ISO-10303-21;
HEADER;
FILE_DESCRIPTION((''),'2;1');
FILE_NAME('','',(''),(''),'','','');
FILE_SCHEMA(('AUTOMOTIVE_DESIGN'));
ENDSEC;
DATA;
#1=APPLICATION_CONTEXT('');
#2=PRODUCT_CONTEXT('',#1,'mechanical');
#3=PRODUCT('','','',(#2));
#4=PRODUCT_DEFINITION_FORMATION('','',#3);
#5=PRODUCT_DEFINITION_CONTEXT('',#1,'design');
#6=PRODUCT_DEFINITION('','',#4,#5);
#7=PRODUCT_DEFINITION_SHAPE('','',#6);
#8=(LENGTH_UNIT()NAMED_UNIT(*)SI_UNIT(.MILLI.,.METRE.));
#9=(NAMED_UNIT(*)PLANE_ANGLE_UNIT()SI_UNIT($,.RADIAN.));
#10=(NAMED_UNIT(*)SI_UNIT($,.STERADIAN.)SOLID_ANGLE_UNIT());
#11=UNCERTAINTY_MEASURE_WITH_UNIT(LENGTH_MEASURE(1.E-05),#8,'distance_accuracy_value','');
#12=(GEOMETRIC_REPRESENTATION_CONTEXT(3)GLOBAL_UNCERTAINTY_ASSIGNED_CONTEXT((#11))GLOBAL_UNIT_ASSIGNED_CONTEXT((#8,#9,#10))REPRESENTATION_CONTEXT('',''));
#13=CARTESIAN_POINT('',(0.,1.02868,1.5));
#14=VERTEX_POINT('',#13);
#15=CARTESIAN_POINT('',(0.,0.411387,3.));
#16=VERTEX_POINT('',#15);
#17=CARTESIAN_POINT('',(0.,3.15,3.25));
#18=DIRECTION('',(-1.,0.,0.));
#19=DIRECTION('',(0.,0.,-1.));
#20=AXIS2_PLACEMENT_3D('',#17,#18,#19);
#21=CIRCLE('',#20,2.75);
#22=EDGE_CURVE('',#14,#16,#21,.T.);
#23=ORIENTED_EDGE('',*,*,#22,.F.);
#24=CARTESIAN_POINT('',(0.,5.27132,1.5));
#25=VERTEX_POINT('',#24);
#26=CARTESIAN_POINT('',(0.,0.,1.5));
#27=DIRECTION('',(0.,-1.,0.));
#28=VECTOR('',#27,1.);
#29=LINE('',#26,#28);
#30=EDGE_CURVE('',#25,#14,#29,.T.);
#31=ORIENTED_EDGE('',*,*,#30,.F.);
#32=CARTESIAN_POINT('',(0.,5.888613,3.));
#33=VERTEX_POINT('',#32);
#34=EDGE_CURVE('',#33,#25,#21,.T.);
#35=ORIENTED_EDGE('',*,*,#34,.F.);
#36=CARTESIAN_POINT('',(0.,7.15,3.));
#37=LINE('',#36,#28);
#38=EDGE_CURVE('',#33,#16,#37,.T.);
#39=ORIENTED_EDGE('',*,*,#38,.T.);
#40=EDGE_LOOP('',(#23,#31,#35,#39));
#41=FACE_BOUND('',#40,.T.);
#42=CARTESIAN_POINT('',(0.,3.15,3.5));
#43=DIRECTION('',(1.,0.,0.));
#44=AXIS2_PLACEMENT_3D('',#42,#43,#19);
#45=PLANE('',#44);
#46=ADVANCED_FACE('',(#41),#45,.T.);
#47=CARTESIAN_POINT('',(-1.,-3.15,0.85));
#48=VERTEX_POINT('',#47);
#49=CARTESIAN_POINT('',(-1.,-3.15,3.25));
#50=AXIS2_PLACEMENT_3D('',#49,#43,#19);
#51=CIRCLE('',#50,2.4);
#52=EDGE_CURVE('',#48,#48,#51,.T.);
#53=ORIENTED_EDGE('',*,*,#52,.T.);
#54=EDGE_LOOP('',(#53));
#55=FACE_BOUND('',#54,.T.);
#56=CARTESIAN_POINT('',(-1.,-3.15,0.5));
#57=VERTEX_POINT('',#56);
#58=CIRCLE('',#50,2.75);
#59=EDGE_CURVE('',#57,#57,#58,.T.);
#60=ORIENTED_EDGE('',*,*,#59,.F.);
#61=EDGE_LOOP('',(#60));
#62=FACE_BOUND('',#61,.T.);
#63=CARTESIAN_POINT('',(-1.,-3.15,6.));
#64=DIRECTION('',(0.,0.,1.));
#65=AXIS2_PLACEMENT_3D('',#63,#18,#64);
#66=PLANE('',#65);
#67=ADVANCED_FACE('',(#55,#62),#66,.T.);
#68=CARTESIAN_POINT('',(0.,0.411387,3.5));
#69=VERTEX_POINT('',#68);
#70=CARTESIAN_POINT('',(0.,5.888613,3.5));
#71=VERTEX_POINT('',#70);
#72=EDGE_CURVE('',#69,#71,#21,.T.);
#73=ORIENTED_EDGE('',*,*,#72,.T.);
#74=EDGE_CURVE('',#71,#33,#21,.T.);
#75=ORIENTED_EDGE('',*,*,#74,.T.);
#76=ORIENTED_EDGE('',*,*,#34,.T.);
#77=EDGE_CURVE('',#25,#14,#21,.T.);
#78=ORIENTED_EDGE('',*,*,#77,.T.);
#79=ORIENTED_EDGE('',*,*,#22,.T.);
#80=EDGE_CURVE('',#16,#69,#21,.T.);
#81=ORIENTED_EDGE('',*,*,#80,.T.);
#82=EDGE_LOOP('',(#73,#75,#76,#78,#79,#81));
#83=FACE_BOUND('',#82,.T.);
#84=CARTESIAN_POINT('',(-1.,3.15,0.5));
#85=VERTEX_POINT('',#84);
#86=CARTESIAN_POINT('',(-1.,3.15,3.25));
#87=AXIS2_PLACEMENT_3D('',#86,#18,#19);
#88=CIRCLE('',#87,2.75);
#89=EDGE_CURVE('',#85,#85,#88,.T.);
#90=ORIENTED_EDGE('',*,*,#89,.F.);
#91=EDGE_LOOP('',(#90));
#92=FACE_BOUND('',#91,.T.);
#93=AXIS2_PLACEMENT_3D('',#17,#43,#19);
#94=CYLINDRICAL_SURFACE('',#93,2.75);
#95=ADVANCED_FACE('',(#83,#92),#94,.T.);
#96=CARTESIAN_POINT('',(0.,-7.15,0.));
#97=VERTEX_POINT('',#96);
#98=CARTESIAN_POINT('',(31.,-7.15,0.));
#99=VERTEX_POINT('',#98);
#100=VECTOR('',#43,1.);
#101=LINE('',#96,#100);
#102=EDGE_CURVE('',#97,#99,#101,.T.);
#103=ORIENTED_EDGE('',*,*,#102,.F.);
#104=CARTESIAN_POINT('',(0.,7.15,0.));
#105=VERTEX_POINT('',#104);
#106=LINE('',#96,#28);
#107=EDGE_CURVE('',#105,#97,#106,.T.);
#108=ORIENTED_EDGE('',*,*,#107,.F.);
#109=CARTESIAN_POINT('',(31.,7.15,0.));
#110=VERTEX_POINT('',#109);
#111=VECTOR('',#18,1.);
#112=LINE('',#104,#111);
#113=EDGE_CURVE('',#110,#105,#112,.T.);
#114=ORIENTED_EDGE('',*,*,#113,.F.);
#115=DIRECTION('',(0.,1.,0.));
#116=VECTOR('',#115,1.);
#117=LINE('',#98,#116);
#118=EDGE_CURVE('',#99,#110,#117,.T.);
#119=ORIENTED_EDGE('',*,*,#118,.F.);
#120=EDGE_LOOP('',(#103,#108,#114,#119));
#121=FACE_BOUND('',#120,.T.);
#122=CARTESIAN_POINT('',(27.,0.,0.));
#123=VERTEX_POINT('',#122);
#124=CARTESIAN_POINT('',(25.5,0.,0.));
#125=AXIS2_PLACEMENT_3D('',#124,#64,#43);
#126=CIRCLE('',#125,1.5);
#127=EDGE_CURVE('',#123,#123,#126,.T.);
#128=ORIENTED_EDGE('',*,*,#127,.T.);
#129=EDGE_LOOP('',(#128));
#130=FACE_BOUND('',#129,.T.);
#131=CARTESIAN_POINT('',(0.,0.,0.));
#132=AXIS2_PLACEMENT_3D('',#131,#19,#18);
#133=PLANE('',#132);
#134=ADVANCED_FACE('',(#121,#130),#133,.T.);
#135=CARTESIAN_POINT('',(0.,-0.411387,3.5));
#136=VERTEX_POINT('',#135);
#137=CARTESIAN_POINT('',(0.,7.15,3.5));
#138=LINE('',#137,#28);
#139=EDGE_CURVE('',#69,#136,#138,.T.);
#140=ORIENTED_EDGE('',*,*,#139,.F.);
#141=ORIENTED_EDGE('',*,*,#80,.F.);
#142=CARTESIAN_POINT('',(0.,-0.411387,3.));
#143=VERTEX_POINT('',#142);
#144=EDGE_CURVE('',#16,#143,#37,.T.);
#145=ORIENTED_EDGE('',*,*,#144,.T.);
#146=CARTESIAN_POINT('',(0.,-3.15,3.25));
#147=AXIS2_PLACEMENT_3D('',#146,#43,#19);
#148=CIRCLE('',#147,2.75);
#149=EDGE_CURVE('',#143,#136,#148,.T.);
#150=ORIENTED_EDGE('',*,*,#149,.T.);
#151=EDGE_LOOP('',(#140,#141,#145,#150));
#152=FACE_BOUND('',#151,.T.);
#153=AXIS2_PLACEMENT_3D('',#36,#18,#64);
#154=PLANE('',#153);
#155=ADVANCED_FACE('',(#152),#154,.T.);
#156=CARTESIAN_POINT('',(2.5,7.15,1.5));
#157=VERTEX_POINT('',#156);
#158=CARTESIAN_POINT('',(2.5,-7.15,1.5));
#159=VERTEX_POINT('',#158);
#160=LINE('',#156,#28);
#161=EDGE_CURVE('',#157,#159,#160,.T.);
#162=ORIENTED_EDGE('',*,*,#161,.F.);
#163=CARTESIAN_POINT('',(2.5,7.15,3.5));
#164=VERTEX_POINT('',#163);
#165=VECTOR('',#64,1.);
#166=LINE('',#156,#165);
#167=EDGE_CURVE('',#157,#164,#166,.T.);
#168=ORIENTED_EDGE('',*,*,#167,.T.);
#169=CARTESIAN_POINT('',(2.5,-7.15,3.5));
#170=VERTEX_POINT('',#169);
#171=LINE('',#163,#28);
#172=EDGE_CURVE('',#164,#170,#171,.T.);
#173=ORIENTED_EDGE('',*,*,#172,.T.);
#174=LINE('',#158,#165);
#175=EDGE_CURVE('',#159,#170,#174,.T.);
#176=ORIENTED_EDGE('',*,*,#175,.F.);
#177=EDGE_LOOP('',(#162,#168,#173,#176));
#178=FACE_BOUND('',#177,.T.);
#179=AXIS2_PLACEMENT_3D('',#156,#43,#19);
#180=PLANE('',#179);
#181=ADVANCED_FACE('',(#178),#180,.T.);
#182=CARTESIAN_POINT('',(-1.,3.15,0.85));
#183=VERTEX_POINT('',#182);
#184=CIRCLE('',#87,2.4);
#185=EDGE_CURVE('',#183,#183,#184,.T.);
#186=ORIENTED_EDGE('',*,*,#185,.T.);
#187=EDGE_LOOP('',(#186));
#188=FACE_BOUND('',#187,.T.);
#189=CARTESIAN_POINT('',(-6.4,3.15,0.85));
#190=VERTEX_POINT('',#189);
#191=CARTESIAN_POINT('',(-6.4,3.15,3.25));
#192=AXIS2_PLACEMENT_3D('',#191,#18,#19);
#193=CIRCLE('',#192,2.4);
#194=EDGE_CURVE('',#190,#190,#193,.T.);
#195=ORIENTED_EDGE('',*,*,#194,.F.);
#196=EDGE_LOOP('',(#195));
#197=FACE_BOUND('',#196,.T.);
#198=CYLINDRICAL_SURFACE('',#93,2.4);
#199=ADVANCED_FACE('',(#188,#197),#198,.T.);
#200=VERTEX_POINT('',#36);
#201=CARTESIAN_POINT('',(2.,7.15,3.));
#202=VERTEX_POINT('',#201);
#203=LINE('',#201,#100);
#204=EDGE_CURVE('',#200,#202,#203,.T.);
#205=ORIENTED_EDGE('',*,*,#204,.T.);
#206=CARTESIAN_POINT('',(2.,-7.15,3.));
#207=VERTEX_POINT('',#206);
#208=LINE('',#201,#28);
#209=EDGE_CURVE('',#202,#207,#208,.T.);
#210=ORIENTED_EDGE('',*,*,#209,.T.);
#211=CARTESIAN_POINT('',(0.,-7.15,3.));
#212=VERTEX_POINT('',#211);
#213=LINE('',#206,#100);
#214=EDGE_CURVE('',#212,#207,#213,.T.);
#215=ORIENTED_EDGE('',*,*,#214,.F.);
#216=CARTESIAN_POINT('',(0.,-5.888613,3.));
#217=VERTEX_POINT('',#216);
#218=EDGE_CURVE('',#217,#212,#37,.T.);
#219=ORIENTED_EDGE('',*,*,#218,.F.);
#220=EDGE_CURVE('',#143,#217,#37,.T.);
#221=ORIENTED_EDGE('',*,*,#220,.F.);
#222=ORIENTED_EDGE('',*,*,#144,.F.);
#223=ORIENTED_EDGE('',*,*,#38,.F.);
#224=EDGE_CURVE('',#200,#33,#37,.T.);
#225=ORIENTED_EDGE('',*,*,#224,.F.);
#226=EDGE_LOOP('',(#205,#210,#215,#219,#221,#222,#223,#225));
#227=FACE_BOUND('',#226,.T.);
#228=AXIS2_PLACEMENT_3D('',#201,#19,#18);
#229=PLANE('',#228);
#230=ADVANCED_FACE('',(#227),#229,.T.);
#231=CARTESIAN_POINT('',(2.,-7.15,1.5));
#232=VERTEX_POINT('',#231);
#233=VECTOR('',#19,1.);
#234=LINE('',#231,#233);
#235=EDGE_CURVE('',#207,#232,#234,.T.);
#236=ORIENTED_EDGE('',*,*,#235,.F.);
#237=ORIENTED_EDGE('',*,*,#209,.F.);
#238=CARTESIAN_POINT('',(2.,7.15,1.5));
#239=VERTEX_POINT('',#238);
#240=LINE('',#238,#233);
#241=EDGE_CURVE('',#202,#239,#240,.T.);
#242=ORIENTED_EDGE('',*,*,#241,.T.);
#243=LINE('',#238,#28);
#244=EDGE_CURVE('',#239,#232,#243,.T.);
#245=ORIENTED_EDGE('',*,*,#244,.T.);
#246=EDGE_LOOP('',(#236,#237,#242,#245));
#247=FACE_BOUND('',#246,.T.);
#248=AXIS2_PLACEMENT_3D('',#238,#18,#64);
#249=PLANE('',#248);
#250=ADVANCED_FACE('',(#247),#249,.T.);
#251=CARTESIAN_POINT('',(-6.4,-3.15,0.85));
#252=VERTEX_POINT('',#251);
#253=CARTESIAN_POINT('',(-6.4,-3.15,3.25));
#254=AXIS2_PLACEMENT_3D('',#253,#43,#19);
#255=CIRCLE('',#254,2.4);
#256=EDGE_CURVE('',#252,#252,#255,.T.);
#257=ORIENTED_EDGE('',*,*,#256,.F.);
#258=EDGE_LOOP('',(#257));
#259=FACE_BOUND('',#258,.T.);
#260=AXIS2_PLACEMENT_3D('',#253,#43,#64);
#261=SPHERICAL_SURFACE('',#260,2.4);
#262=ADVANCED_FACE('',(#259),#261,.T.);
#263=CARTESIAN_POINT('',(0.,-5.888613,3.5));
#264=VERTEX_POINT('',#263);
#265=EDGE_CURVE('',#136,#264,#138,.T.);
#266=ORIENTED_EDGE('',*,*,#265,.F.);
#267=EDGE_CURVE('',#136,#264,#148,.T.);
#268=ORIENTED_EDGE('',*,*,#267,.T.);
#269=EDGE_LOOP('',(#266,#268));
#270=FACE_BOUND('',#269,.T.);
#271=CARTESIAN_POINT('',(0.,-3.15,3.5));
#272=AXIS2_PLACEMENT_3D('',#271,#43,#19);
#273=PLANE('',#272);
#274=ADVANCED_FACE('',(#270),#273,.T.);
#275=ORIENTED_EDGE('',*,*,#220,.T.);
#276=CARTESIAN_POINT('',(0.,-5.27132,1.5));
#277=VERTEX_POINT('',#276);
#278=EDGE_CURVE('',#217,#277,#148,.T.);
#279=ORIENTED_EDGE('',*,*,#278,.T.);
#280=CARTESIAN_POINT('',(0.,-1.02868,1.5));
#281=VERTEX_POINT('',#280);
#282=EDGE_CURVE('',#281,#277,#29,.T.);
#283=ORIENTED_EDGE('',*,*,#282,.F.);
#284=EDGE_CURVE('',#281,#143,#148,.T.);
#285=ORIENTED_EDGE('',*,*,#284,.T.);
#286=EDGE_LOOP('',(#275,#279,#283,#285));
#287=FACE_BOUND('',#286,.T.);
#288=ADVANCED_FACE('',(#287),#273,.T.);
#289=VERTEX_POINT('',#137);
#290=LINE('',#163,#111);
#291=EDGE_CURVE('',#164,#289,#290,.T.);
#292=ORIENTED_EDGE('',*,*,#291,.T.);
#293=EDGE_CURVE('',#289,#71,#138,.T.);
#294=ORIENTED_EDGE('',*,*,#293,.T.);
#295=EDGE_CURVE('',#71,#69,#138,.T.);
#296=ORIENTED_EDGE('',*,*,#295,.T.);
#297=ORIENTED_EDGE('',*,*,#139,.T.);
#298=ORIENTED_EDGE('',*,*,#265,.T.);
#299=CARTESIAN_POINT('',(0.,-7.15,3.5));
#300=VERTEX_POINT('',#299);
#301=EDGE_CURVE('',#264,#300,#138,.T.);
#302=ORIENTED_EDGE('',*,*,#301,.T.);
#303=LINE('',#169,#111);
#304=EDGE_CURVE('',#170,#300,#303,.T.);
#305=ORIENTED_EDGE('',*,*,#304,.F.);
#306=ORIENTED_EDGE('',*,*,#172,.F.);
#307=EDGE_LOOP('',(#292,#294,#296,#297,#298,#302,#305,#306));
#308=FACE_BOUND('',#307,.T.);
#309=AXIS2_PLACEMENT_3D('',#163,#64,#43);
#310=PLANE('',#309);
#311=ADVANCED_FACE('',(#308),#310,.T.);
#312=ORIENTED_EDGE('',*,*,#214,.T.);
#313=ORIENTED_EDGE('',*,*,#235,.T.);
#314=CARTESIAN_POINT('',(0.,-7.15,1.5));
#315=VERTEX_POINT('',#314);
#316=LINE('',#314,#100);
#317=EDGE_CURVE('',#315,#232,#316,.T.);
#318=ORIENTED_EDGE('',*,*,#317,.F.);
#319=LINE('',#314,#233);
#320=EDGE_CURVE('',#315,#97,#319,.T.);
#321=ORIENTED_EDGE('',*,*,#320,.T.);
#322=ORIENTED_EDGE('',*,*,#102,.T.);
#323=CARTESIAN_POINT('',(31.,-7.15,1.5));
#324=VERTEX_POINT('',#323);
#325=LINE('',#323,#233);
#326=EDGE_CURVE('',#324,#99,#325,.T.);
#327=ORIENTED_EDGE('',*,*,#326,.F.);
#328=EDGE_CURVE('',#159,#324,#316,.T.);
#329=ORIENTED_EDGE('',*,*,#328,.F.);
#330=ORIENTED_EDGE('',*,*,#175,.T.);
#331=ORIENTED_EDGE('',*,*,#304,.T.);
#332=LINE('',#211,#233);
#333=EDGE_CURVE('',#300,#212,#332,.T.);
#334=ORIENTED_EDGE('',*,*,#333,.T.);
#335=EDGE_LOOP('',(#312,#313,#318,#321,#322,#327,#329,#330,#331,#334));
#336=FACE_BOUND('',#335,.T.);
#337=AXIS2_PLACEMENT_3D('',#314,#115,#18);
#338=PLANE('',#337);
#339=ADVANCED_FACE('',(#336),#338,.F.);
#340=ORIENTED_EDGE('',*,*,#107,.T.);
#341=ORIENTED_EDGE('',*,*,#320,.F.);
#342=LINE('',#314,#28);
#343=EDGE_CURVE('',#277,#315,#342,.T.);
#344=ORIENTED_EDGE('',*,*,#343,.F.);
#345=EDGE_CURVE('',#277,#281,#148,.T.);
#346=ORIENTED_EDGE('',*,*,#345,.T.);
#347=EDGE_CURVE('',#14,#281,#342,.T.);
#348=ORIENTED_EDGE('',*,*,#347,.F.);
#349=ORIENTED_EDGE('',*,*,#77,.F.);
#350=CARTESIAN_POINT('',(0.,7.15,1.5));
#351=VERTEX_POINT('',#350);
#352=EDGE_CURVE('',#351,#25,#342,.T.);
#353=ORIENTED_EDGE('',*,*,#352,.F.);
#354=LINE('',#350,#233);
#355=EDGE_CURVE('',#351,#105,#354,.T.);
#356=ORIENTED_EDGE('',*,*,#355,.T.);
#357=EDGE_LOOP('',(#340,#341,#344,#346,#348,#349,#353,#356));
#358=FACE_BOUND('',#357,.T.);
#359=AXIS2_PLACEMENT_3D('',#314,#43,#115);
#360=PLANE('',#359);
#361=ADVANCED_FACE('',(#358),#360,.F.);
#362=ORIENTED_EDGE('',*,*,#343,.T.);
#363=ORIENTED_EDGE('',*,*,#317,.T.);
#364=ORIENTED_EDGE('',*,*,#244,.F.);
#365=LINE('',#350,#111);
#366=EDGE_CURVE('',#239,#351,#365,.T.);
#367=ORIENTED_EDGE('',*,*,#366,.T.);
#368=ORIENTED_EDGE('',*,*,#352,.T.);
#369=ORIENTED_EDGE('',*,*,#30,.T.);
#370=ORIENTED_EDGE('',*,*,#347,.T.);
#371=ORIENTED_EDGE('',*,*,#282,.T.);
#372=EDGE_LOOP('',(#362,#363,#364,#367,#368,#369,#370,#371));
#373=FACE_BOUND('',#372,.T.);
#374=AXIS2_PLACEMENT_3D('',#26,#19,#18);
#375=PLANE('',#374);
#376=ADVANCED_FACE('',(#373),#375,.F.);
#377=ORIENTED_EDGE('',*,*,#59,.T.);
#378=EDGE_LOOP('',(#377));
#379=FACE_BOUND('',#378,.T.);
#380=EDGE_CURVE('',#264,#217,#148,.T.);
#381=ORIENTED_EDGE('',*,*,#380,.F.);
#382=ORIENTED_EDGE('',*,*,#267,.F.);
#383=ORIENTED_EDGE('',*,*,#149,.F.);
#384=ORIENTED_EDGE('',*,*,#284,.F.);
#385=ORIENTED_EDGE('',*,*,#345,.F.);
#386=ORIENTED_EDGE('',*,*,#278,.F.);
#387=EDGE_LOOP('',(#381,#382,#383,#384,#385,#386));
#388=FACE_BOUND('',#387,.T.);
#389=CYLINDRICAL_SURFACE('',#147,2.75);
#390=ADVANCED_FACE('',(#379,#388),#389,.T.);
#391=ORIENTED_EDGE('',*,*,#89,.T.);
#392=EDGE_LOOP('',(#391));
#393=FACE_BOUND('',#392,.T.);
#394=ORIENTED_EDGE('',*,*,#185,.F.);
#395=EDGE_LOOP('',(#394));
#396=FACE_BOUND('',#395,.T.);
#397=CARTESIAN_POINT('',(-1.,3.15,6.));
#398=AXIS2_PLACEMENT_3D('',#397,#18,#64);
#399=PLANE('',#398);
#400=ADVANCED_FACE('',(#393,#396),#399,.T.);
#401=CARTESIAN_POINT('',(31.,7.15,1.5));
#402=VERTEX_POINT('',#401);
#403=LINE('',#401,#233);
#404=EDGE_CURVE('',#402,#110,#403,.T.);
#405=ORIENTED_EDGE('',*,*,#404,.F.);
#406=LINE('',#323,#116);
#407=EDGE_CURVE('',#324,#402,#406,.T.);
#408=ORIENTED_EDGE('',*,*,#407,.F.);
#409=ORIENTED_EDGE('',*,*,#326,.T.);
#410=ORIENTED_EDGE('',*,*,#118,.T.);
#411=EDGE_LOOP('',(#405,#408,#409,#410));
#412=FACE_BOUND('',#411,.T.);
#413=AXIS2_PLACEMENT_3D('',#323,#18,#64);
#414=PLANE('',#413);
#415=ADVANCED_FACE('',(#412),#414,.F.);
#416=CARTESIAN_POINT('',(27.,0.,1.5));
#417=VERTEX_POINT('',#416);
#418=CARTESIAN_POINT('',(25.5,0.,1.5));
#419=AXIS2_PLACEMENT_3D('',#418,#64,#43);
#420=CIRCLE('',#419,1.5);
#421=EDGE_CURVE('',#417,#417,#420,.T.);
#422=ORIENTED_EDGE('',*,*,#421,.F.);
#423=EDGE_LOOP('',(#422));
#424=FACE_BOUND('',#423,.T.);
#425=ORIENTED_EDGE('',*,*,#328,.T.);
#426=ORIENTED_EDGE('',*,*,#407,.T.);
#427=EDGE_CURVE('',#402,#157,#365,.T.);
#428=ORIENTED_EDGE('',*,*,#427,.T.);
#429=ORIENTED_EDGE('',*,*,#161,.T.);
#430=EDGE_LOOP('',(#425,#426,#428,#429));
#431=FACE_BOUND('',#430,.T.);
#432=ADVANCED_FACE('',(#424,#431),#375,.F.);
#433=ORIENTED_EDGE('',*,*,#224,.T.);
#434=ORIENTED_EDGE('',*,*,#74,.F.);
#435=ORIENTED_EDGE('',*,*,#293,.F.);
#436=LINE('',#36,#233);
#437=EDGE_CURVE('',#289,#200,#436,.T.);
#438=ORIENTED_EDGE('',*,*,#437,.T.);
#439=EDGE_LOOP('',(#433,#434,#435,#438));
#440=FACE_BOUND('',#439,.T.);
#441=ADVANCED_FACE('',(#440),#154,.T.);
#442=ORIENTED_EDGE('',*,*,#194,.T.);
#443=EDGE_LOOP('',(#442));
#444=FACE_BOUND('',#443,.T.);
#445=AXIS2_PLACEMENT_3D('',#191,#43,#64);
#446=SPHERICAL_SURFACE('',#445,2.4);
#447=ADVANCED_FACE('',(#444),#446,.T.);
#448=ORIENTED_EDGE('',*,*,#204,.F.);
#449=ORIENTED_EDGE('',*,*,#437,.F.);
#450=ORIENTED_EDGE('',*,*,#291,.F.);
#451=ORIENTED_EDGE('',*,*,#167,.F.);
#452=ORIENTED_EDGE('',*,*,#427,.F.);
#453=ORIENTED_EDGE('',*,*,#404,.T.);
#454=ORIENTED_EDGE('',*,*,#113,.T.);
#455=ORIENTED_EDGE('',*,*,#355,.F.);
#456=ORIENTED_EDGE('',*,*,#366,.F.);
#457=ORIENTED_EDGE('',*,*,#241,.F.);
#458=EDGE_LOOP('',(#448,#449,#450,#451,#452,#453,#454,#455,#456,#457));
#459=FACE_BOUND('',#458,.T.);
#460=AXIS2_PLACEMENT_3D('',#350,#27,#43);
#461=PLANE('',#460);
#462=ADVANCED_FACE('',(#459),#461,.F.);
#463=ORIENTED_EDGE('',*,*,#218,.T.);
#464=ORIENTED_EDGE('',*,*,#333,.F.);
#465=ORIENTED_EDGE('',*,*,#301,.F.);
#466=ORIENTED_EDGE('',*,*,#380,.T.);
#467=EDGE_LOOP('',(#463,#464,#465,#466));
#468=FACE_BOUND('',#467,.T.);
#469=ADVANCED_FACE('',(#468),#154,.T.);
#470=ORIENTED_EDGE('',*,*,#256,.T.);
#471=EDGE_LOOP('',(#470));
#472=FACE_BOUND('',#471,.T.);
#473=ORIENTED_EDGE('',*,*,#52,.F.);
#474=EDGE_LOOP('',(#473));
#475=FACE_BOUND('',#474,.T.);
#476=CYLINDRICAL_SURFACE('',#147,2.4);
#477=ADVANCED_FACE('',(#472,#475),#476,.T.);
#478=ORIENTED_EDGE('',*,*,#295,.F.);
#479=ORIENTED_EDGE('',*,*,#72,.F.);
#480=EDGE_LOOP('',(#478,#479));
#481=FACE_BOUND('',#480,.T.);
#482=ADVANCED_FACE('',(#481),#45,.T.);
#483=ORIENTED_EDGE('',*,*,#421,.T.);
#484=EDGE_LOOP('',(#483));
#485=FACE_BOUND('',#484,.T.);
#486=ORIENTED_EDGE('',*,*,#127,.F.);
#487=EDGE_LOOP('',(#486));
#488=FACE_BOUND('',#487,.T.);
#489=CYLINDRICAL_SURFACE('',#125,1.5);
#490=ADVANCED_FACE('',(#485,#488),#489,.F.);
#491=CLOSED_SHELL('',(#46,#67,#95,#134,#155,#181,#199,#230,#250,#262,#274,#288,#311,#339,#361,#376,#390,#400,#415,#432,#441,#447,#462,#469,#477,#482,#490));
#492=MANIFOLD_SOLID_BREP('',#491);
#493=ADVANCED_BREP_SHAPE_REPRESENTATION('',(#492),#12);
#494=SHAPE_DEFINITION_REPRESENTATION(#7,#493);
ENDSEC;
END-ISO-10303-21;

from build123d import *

# Parameters (mm, degrees)
SKETCH1_W           = 31
SKETCH1_H           = 14.3
BOSS_EXTRUDE1_DEPTH = 1.5
BOSS_EXTRUDE2_DEPTH = 14.3
SKETCH5_R           = 1.5
CUT_EXTRUDE1_DEPTH  = 1.5


with BuildPart() as part:
    # Sketch1 → Boss-Extrude1 (new body)
    with BuildSketch(Plane.XY):
        with Locations((15.5, 0)):
            Rectangle(SKETCH1_W, SKETCH1_H)
    extrude(amount=BOSS_EXTRUDE1_DEPTH)

    # Sketch2 → Boss-Extrude2 (add, through all)
    with BuildSketch(Plane.XZ.offset(7.15)):
        Polygon((2.5, 1.5), (2.5, 3.5), (0, 3.5), (0, 3), (2, 3), (2, 1.5), align=None)
    extrude(amount=-BOSS_EXTRUDE2_DEPTH)

    # Sketch4 → Revolve1 (revolve)
    with BuildSketch(Plane.XZ.offset(3.15)):
        with BuildLine():
            Line((0, 3.5), (0, 6))
            Line((0, 6), (-1, 6))
            Line((-1, 6), (-1, 5.65))
            Line((-1, 5.65), (-6.4, 5.65))
            ThreePointArc((-6.4, 5.65), (-8.097056275, 4.947056275), (-8.8, 3.25))
            Line((-8.8, 3.25), (0, 3.25))
            Line((0, 3.25), (0, 3.5))
        make_face()
    revolve1 = revolve(axis=Axis((0, -3.15, 3.25), (-1, 0, 0)))

    # Mirror1: Revolve1 across plane
    add(revolve1.mirror(Plane.ZX))

    # Sketch5 → Cut-Extrude1 (cut)
    with BuildSketch(Plane.XY.offset(1.5)):
        with Locations((25.5, 0)):
            Circle(SKETCH5_R)
    extrude(amount=-CUT_EXTRUDE1_DEPTH, mode=Mode.SUBTRACT)


solid = part.part
